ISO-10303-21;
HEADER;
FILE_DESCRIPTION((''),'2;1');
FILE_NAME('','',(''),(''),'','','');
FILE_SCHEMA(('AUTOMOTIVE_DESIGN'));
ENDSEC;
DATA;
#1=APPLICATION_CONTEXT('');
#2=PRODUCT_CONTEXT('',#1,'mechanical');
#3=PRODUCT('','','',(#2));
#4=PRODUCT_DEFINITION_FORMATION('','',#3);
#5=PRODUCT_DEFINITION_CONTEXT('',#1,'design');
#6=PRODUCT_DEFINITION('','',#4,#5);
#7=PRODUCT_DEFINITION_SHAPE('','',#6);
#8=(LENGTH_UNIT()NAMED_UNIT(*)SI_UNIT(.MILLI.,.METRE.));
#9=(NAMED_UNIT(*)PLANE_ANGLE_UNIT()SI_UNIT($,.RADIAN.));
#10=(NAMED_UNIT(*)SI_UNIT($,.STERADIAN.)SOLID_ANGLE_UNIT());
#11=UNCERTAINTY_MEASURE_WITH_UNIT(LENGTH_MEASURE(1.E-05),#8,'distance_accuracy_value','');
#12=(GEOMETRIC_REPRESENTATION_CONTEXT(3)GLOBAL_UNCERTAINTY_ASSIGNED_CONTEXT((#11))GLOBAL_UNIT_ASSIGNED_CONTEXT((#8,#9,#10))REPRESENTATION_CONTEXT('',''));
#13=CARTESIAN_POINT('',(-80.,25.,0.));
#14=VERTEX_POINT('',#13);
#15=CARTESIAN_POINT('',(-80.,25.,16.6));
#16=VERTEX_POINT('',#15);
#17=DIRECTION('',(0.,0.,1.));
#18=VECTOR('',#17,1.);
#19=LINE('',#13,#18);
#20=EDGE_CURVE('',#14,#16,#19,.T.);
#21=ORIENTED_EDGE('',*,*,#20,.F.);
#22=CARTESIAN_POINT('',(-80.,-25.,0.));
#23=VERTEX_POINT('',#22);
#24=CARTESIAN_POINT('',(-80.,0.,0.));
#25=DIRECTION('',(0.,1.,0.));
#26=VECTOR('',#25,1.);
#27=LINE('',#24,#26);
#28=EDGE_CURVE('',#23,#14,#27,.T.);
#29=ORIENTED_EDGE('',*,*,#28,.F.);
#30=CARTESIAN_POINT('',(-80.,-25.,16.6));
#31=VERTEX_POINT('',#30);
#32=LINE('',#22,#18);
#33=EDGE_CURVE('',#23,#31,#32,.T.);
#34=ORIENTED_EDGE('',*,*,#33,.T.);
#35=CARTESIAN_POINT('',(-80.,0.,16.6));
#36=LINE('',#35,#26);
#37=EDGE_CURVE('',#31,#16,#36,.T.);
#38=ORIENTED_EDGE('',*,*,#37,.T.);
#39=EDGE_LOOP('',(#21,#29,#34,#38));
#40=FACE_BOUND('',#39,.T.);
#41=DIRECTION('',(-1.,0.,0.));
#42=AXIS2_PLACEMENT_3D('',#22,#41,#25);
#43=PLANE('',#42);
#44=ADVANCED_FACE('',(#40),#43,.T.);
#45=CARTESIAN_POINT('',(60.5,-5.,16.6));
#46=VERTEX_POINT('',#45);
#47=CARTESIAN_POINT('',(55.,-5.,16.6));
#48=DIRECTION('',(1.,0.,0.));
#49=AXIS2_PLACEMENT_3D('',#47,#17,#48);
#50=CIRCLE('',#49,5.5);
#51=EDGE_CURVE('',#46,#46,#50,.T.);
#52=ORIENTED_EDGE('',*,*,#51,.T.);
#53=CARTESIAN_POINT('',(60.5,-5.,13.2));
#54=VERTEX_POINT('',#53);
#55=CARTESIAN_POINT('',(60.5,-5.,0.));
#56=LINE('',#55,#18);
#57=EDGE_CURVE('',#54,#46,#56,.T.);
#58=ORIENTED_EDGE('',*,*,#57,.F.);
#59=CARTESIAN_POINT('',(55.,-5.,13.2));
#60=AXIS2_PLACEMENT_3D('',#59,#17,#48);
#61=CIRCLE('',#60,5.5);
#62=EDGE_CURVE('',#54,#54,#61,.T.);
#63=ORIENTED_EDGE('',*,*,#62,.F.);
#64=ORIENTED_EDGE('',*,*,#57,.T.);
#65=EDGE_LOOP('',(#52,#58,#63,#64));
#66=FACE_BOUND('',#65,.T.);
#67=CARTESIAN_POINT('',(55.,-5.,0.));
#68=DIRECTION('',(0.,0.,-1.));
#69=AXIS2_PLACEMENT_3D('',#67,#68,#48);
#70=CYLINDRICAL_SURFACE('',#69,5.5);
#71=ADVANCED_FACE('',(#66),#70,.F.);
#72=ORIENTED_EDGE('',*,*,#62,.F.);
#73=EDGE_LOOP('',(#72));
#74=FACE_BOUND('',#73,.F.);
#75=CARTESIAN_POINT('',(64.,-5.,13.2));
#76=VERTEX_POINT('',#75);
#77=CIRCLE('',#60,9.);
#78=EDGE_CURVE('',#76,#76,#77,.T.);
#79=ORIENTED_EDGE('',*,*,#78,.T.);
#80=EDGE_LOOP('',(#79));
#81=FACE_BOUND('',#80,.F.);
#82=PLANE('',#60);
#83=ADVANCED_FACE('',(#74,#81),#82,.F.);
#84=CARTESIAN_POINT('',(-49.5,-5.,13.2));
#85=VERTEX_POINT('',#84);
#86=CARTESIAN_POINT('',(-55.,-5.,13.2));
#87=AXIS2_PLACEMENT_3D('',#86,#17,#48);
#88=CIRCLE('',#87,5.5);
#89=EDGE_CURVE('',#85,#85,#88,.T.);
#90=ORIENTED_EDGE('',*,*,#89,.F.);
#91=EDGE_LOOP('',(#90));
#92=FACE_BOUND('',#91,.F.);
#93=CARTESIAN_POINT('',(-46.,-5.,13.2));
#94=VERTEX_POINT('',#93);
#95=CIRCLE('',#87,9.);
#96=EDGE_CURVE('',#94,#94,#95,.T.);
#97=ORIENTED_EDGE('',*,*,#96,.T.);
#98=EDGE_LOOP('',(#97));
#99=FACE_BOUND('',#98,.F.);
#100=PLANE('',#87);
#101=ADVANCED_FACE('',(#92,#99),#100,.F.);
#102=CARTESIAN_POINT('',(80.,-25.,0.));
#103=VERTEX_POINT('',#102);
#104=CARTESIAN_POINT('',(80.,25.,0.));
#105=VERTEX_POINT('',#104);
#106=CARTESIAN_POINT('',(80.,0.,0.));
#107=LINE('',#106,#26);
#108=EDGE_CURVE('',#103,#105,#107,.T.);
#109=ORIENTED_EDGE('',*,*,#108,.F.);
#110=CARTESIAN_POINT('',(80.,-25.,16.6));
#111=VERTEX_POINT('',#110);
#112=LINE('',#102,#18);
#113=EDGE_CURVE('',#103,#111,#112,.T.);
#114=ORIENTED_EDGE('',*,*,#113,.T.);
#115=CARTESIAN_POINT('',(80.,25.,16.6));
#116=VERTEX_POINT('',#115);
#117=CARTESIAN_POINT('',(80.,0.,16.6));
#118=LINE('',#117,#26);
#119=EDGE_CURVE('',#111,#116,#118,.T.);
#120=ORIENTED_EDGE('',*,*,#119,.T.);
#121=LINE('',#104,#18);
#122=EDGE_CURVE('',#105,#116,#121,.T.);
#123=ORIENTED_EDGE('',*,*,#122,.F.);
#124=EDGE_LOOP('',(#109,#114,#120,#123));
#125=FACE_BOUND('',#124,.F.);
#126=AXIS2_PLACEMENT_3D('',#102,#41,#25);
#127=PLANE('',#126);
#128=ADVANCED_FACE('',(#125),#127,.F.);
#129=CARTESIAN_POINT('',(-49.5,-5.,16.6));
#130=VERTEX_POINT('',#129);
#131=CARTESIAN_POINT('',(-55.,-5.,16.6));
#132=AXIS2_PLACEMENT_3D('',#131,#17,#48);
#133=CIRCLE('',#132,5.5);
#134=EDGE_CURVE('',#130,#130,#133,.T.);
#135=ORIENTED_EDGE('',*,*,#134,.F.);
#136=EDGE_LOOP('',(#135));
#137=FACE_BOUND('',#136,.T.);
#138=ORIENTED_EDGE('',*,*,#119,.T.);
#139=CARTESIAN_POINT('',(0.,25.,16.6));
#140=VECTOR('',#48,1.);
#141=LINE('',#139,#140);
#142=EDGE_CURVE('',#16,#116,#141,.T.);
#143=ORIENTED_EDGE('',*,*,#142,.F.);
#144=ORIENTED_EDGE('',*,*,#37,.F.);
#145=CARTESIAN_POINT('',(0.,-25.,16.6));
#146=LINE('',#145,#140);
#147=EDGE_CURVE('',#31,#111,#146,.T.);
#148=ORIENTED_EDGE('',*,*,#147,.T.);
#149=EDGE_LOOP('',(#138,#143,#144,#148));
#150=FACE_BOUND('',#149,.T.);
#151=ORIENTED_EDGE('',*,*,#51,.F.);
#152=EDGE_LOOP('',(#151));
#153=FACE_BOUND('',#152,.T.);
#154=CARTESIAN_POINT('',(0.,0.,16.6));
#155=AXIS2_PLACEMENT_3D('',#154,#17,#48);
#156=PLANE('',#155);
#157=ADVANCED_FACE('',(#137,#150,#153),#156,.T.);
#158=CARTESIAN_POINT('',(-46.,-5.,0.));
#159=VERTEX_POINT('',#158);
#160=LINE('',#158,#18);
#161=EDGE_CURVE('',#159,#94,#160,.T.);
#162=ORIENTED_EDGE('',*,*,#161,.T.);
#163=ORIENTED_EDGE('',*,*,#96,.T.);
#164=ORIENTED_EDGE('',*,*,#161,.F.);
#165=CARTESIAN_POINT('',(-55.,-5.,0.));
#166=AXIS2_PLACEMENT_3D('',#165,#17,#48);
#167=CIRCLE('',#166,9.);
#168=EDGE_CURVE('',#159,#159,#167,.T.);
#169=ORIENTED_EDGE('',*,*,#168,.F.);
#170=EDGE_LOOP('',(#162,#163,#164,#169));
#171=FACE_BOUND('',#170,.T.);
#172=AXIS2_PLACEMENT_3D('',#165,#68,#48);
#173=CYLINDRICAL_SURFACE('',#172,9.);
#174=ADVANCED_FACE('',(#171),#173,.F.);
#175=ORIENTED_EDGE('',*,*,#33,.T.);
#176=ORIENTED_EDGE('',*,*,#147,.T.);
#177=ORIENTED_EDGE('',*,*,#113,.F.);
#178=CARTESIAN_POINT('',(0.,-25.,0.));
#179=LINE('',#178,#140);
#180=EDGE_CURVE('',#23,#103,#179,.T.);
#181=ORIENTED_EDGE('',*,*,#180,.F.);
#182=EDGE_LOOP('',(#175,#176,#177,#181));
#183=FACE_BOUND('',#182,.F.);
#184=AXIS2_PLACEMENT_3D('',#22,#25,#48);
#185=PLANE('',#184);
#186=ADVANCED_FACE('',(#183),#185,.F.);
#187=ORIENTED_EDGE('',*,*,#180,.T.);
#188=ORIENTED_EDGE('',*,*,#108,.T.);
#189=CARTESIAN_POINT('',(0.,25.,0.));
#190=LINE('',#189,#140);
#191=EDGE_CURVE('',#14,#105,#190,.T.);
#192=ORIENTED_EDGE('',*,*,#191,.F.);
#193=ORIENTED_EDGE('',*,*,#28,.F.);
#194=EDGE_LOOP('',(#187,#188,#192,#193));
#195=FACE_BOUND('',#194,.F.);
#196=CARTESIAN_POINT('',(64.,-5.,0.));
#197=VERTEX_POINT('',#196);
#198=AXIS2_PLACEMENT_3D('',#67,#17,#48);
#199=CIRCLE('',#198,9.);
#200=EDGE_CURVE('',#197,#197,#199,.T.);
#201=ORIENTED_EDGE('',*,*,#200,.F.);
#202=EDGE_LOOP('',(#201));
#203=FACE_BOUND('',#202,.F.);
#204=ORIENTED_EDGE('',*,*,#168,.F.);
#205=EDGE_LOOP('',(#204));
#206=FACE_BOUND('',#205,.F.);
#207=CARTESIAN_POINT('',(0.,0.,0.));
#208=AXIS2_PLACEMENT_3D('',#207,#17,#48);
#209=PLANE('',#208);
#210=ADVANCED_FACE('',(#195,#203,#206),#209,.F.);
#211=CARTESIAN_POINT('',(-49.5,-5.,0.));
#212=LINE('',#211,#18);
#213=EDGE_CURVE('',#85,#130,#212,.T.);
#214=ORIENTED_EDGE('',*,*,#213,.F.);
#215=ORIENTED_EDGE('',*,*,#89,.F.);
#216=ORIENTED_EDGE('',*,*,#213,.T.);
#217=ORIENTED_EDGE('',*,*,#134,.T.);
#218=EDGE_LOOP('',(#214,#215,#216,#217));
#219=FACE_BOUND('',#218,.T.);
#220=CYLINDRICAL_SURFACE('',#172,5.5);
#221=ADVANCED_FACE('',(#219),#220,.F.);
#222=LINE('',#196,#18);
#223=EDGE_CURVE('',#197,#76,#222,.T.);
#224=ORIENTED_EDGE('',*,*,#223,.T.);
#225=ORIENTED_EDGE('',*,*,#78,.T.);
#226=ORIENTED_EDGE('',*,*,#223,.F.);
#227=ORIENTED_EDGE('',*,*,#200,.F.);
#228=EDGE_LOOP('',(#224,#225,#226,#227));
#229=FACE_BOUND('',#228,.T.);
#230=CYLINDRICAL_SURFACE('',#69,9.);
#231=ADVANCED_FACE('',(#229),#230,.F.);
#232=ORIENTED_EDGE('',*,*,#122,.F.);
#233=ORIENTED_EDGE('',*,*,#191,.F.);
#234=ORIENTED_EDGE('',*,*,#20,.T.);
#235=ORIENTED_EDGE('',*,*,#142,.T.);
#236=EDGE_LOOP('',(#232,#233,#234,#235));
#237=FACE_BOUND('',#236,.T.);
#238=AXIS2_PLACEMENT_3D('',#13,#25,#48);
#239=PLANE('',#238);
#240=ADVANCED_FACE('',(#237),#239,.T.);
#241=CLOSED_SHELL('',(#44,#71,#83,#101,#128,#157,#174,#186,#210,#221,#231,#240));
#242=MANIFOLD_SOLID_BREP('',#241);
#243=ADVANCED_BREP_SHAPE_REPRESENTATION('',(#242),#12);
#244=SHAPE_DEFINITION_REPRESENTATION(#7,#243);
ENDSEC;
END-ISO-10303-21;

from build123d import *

# Parameters (mm, degrees)
F0_W     = 160
F0_H     = 50
F0_R     = 9
F0_R_2   = 5.5
F1_DEPTH = 16.6
F2_DEPTH = 13.2


with BuildPart() as f1:
    # F0 (on Top) → F1 (new body)
    with BuildSketch(Plane.XY):
        Rectangle(F0_W, F0_H)
        with Locations((-55, -5)):
            Circle(F0_R, mode=Mode.SUBTRACT)
        with Locations((55, -5)):
            Circle(F0_R, mode=Mode.SUBTRACT)
        with Locations((-55, -5)):
            Circle(F0_R)
        with Locations((-55, -5)):
            Circle(F0_R_2, mode=Mode.SUBTRACT)
        with Locations((55, -5)):
            Circle(F0_R)
        with Locations((55, -5)):
            Circle(F0_R_2, mode=Mode.SUBTRACT)
    extrude(amount=F1_DEPTH)

    # F0 (on Top) → F2 (cut)
    with BuildSketch(Plane.XY):
        with Locations((-55, -5)):
            Circle(F0_R)
        with Locations((-55, -5)):
            Circle(F0_R_2, mode=Mode.SUBTRACT)
        with Locations((55, -5)):
            Circle(F0_R)
        with Locations((55, -5)):
            Circle(F0_R_2, mode=Mode.SUBTRACT)
    extrude(amount=F2_DEPTH, mode=Mode.SUBTRACT)


solid = f1.part
